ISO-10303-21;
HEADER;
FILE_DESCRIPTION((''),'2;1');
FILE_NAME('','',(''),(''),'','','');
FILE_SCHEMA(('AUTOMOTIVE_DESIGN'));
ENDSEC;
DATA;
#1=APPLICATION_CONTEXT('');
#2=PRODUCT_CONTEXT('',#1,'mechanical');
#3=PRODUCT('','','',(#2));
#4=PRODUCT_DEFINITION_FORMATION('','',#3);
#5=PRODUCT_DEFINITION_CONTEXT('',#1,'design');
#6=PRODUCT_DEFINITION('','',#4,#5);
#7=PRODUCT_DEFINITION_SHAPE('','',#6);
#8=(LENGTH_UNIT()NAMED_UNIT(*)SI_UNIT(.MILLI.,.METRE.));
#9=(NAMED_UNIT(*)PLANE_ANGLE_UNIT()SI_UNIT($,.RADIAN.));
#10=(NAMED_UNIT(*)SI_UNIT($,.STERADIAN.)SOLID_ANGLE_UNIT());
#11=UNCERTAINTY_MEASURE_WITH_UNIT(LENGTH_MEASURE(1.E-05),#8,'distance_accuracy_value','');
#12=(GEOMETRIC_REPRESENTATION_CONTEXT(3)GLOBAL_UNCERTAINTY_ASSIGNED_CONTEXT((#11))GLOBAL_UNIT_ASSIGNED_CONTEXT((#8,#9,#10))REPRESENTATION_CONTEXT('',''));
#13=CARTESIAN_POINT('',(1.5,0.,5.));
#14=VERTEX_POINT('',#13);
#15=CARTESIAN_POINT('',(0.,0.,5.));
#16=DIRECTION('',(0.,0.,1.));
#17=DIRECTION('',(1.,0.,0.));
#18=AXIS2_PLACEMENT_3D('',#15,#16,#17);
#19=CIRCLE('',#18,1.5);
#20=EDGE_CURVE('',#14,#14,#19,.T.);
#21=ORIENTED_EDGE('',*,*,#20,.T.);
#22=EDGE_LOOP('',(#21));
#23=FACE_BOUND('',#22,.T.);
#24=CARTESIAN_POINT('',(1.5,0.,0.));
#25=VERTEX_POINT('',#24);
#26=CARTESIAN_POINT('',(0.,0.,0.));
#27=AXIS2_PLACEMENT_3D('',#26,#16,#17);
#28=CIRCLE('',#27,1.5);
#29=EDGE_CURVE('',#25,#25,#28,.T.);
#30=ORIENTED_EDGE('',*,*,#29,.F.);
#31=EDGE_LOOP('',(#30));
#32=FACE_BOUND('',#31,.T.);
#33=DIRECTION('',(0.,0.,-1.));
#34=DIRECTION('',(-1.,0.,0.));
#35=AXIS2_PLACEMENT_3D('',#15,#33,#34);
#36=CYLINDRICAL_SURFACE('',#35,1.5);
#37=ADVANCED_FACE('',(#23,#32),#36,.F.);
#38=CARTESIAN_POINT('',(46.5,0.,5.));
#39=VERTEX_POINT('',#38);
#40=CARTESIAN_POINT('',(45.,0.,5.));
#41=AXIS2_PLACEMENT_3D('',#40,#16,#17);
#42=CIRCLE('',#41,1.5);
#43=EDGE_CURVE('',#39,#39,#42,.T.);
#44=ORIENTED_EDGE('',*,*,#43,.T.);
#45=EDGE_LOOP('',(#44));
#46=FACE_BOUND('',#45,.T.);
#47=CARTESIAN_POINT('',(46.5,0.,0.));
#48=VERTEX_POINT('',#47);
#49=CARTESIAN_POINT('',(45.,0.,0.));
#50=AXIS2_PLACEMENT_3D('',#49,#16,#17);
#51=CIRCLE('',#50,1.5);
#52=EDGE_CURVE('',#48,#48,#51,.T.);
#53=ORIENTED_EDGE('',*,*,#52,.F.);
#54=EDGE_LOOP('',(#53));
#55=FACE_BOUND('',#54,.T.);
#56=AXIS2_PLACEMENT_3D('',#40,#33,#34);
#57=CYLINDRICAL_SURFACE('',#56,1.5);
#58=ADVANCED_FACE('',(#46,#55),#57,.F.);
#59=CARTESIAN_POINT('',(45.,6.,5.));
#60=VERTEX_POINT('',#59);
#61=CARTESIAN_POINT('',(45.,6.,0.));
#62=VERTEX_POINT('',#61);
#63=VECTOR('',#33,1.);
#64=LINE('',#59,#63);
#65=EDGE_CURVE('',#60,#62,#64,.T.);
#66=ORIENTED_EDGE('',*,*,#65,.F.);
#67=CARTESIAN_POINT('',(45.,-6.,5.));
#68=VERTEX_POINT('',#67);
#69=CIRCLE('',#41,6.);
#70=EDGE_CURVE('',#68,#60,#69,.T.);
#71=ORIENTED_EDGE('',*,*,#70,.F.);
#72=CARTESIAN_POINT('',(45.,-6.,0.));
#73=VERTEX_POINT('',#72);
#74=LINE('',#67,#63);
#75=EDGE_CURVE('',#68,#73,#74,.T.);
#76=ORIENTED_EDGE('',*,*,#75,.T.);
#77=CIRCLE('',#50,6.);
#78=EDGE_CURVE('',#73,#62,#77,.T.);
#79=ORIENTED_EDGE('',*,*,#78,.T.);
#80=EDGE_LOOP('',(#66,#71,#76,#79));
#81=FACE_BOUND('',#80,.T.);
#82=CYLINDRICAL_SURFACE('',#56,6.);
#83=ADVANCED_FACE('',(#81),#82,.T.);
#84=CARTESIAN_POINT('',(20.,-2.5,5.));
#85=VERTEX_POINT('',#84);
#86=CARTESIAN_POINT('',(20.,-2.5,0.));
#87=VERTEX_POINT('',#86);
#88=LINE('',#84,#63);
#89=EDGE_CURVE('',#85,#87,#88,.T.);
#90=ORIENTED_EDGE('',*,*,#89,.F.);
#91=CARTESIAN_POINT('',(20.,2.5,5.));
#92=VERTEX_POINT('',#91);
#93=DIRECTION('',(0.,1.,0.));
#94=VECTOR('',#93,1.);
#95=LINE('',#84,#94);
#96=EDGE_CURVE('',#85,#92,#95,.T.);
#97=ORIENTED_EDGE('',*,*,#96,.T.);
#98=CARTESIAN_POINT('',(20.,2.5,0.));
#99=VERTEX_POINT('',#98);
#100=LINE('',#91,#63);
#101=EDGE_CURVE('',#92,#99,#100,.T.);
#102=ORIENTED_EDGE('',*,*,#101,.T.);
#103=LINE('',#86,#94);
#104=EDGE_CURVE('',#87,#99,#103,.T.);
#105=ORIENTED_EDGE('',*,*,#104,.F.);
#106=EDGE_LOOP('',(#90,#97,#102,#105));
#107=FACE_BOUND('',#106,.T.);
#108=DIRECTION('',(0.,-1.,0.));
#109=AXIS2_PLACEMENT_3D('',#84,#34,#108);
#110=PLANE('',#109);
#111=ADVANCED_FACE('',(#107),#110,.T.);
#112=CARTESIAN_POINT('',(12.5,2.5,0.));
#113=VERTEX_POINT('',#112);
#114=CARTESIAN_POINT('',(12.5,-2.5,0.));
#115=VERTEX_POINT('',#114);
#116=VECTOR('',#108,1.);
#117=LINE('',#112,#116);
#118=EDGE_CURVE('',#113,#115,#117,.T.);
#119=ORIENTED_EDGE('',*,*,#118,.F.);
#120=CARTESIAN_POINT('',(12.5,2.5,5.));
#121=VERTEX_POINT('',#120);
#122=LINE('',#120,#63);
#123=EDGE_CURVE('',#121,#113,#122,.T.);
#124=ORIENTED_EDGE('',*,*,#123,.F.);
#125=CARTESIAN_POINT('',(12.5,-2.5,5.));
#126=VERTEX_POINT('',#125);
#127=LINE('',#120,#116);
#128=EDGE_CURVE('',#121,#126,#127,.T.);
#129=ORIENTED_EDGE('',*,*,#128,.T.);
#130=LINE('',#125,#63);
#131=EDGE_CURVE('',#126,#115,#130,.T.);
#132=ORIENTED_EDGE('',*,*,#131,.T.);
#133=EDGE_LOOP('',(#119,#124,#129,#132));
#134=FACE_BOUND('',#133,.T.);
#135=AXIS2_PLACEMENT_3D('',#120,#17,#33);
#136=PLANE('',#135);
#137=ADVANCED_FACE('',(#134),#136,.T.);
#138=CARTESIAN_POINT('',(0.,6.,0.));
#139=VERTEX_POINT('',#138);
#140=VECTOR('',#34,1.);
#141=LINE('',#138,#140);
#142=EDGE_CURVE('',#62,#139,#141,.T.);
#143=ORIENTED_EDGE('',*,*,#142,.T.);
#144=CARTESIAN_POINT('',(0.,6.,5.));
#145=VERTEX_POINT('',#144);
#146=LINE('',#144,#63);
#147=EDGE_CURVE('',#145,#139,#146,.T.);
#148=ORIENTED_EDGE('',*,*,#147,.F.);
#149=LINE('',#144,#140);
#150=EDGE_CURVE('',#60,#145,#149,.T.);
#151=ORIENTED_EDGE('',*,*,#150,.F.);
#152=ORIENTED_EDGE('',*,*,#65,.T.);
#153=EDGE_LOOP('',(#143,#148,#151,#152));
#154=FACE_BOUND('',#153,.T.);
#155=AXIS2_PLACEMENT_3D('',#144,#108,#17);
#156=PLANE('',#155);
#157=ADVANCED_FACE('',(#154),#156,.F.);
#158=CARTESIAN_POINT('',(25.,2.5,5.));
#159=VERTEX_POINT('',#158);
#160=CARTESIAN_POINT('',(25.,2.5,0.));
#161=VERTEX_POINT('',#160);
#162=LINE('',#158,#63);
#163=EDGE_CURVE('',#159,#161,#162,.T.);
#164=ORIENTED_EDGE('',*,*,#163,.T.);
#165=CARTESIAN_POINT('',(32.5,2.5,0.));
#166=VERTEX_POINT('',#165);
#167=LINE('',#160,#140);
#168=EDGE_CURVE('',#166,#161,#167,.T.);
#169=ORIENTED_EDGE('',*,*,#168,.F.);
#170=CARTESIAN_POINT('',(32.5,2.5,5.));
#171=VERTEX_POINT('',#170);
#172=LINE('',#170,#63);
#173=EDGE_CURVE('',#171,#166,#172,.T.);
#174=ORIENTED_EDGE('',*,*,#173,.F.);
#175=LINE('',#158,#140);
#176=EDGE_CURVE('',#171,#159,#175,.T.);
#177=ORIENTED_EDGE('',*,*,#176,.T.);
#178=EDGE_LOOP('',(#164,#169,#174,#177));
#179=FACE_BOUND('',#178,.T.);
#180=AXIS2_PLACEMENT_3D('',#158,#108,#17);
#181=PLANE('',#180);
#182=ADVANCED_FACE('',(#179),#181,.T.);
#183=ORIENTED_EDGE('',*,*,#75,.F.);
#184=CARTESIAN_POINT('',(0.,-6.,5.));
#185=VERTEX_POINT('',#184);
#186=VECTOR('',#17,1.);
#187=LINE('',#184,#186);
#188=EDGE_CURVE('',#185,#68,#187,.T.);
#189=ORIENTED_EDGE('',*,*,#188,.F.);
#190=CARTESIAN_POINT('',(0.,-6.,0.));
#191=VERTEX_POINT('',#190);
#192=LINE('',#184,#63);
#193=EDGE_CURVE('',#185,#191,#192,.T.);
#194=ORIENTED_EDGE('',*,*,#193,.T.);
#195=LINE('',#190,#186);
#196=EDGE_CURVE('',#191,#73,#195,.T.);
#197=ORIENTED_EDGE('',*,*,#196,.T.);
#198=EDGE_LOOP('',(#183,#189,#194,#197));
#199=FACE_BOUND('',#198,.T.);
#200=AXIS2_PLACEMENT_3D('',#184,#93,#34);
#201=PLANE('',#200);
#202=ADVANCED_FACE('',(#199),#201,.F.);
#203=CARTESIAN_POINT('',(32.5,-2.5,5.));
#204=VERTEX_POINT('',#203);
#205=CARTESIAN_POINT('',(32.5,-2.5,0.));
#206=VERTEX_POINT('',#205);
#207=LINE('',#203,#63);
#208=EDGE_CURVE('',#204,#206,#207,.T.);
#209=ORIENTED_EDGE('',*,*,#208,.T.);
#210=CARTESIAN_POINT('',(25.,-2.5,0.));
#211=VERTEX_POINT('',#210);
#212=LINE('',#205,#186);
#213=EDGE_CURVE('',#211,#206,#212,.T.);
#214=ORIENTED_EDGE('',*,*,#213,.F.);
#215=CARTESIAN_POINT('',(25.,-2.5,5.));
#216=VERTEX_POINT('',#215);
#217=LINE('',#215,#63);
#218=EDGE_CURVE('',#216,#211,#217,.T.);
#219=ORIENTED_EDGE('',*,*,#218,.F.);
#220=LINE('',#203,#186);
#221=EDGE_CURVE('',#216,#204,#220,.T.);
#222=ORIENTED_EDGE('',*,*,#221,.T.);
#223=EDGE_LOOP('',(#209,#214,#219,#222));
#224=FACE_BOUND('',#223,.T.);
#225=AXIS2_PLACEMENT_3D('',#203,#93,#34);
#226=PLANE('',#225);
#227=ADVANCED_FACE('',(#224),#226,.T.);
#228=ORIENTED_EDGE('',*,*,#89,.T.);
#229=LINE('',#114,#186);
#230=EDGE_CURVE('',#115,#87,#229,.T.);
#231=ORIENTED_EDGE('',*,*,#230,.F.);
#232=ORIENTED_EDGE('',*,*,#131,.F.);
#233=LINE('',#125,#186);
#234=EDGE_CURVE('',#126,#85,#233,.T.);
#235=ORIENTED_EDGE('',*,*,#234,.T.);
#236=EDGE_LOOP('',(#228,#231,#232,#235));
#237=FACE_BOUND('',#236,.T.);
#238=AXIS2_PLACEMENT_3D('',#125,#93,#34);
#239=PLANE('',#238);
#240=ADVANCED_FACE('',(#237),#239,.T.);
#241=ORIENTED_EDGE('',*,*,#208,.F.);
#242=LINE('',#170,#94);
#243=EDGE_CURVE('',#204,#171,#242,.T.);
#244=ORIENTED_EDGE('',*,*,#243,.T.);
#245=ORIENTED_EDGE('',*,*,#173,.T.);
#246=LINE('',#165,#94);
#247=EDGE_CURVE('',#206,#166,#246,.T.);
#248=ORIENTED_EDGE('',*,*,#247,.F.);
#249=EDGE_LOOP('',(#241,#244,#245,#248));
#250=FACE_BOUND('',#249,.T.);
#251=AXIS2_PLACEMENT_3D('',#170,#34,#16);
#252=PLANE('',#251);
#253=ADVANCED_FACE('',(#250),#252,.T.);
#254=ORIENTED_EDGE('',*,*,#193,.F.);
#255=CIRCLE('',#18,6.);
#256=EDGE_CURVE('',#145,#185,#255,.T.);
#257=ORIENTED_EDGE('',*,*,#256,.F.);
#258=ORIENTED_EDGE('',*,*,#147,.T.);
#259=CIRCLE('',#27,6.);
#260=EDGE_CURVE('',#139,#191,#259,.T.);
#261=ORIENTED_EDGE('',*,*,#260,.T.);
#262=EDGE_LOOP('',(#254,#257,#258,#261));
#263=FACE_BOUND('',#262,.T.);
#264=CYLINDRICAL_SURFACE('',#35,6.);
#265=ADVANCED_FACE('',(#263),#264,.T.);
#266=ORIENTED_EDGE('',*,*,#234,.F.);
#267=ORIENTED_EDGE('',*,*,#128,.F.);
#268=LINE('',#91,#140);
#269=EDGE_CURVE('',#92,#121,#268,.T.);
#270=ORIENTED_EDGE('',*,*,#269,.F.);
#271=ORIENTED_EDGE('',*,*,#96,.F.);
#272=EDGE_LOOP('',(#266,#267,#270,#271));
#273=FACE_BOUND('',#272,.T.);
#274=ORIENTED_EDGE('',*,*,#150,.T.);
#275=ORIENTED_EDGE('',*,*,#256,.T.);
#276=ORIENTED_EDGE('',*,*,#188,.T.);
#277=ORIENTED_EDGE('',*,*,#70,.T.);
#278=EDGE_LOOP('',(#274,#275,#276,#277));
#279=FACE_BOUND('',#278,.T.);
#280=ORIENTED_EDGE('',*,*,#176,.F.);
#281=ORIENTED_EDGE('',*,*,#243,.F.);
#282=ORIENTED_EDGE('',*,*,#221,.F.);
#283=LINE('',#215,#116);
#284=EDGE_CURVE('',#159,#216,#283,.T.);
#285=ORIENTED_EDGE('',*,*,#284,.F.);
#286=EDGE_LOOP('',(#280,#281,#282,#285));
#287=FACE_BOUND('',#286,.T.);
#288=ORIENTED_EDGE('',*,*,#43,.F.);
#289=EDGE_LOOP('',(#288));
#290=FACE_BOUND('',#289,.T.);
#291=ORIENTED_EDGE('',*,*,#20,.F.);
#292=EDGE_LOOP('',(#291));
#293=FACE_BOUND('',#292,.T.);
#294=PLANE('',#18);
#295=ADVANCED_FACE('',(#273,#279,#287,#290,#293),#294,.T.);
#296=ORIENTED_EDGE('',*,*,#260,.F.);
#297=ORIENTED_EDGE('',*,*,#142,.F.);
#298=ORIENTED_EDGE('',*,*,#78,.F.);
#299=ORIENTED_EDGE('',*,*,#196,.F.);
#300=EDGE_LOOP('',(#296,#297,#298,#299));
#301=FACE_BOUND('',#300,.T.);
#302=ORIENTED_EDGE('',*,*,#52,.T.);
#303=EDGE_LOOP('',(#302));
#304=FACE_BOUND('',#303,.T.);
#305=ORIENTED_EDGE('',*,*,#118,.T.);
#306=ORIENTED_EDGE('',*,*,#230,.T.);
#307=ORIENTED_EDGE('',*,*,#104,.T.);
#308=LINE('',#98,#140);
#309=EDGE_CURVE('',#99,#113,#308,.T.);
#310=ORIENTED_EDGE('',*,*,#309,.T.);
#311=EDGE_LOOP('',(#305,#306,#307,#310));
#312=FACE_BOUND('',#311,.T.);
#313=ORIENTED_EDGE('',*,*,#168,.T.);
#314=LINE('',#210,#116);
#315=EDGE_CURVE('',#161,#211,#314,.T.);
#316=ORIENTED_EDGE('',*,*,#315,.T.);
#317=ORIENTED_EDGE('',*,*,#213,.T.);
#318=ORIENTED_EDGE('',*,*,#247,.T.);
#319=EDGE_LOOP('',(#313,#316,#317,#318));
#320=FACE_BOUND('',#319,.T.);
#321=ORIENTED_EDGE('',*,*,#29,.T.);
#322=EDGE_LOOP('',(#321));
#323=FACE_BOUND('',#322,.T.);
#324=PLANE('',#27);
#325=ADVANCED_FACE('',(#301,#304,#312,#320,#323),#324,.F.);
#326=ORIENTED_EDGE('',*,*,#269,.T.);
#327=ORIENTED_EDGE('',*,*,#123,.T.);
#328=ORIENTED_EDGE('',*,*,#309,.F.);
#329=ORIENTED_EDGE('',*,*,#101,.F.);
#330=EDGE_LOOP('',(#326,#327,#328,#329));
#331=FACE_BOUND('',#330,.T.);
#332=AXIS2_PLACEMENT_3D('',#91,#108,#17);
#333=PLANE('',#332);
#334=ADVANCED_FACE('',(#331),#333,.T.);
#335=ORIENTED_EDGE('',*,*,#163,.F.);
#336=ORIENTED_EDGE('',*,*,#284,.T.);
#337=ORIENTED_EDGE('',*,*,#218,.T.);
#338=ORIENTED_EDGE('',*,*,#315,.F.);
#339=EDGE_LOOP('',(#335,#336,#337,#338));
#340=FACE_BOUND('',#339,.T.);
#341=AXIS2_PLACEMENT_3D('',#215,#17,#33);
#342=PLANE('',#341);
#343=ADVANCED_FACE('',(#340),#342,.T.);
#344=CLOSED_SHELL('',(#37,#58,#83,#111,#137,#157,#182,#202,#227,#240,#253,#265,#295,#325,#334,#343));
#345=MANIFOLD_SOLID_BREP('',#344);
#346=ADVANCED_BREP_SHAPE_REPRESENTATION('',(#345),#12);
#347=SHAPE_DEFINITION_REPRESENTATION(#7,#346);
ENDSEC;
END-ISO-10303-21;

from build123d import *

# Parameters (mm, degrees)
ESQUISSE1_R        = 1.5
ESQUISSE1_W        = 7.5
ESQUISSE1_H        = 5
BOSS_EXTRU_1_DEPTH = 5


with BuildPart() as part:
    # Esquisse1 → Boss.-Extru.1 (new body)
    with BuildSketch(Plane.XY):
        with BuildLine():
            Line((0, 6), (45, 6))
            ThreePointArc((45, 6), (51, 0), (45, -6))
            Line((45, -6), (0, -6))
            ThreePointArc((0, -6), (-6, 0), (0, 6))
        make_face()
        with Locations((45, 0)):
            Circle(ESQUISSE1_R, mode=Mode.SUBTRACT)
        Circle(ESQUISSE1_R, mode=Mode.SUBTRACT)
        with Locations((28.75, 0)):
            Rectangle(ESQUISSE1_W, ESQUISSE1_H, mode=Mode.SUBTRACT)
        with Locations((16.25, 0)):
            Rectangle(ESQUISSE1_W, ESQUISSE1_H, mode=Mode.SUBTRACT)
    extrude(amount=BOSS_EXTRU_1_DEPTH)


solid = part.part
